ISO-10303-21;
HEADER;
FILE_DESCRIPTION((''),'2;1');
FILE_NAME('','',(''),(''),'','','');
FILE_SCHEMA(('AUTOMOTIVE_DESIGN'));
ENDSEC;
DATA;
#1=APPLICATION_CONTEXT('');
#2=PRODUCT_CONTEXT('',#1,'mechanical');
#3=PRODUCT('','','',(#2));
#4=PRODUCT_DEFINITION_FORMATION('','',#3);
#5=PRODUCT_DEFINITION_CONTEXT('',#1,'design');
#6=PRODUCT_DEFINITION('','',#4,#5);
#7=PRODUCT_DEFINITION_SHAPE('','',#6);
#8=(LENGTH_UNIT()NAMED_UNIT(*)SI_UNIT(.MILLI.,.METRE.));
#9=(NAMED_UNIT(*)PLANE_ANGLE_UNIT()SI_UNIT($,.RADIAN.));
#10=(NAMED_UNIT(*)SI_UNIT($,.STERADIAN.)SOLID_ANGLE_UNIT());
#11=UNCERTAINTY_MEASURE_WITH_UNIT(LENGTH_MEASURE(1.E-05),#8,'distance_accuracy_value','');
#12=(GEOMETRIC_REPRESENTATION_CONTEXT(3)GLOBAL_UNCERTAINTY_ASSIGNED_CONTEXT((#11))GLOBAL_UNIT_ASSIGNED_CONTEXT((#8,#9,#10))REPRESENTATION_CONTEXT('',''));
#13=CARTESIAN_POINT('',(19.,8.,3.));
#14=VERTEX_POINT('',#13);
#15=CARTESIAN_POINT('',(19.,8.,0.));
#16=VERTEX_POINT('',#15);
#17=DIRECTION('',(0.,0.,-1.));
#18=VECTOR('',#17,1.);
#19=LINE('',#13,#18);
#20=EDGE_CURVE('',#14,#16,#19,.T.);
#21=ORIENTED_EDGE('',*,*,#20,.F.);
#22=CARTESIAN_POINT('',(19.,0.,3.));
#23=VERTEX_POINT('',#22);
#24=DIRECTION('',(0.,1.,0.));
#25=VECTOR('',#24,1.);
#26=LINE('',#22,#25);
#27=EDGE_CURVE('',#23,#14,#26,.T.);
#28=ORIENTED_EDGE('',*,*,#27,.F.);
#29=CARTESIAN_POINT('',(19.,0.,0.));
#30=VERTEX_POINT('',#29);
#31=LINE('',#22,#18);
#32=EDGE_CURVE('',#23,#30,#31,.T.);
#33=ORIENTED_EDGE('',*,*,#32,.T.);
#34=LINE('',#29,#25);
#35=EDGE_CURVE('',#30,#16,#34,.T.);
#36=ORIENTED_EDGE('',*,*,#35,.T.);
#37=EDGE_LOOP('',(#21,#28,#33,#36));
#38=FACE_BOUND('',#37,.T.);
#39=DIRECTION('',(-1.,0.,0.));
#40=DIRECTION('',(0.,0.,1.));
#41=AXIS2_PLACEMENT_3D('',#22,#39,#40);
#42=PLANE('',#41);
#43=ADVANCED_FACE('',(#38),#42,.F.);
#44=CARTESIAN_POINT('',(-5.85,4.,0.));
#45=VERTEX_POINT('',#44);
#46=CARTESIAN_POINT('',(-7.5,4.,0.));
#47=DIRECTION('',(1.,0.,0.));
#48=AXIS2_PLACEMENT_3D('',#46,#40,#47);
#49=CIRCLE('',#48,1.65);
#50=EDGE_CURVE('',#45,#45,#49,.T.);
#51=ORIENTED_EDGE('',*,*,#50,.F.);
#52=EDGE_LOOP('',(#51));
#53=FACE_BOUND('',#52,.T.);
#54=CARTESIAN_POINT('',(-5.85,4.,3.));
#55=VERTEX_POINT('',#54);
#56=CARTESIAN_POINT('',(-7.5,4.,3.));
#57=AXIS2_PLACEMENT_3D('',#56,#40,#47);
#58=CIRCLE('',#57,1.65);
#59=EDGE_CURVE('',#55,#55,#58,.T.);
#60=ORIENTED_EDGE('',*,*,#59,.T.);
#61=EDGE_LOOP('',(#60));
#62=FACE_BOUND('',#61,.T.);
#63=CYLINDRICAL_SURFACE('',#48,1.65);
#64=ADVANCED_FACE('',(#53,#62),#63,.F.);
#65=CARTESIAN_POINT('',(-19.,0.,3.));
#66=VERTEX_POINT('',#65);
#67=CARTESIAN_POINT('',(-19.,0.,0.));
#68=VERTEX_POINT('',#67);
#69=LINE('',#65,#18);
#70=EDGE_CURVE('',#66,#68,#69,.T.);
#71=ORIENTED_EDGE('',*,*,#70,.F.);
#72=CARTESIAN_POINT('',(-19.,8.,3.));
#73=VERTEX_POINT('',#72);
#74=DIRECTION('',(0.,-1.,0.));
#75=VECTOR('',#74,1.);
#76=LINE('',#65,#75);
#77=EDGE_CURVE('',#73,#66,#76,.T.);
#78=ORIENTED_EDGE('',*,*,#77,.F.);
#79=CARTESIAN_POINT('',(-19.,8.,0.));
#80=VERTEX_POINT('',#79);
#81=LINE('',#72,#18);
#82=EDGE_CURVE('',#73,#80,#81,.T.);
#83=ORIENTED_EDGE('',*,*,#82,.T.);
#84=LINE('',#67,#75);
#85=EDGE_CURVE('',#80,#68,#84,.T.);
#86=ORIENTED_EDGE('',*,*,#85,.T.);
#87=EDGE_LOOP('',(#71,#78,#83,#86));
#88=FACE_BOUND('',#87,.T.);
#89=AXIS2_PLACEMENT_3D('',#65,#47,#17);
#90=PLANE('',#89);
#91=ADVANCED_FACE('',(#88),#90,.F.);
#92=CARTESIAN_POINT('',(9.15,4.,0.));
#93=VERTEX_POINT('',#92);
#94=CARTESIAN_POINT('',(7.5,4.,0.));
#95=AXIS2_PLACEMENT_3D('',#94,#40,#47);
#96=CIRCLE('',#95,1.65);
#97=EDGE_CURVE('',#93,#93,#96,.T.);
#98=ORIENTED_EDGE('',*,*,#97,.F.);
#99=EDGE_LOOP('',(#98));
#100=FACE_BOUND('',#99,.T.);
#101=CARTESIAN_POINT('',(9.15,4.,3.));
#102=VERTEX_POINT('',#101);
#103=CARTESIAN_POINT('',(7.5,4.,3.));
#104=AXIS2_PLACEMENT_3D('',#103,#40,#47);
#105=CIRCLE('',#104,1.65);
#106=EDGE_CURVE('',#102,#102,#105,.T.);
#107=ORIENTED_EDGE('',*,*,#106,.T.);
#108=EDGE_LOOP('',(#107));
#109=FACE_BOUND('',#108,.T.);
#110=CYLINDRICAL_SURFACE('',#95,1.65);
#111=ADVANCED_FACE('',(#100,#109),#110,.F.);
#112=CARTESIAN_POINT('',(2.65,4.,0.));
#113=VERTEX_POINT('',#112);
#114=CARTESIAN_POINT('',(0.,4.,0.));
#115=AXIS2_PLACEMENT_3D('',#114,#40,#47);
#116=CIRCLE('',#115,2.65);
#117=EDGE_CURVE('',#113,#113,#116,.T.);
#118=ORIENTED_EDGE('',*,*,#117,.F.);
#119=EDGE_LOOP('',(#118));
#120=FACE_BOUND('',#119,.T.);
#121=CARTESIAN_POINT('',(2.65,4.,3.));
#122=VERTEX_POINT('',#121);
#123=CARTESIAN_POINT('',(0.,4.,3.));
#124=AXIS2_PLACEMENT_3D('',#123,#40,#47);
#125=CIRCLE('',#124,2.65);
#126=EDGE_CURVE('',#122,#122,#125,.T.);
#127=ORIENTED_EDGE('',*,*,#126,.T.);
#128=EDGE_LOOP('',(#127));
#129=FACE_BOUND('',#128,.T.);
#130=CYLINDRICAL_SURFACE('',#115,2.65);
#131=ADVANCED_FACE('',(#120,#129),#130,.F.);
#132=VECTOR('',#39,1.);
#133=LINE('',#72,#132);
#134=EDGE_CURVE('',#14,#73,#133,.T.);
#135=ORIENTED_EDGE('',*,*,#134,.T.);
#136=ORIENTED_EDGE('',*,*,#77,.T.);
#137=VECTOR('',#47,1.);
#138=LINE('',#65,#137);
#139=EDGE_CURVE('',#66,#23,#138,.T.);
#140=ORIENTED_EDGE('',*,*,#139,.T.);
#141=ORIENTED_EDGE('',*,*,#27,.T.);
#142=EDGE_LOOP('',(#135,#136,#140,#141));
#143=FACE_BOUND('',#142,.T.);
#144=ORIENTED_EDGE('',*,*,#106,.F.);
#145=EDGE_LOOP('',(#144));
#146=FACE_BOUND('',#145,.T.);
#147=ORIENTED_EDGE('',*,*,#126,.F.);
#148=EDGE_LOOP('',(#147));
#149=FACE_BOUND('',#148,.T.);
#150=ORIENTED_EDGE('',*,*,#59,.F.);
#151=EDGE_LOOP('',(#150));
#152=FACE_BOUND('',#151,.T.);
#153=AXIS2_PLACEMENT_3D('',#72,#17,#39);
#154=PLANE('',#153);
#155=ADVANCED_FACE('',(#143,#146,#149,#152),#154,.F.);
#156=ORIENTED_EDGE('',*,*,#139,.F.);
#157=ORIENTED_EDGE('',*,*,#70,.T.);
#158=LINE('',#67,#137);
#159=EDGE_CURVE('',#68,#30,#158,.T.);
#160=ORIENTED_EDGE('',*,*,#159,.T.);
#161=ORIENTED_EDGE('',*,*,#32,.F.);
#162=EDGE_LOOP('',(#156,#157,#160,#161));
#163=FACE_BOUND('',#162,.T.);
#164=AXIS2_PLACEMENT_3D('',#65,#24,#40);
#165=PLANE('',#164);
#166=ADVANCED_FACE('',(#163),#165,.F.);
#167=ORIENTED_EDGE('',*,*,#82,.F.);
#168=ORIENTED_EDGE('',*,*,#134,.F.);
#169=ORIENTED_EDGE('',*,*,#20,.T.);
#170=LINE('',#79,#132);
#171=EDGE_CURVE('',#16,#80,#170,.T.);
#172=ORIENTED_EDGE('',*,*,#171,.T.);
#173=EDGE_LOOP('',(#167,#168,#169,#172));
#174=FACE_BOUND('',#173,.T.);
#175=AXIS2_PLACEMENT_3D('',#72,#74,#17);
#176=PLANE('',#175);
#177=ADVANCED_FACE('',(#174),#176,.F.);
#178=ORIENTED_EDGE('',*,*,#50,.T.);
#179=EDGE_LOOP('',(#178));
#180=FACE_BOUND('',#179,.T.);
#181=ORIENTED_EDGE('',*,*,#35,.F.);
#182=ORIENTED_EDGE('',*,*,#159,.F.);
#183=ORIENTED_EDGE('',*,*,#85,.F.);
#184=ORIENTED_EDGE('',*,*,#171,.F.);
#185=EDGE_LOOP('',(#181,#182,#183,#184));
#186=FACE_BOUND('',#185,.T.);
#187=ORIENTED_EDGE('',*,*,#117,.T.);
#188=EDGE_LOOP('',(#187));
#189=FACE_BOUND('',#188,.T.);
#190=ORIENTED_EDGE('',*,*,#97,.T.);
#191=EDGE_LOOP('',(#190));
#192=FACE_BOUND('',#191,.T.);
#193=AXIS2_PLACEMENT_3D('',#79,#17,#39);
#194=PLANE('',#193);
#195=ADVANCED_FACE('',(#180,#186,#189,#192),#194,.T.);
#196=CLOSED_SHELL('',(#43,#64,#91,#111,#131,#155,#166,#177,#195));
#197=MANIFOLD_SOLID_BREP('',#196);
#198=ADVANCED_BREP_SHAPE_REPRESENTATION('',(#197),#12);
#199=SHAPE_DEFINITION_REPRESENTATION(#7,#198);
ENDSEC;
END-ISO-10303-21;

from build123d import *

# Parameters (mm, degrees)
SKETCH1_W           = 38
SKETCH1_H           = 8
BOSS_EXTRUDE1_DEPTH = 3
SKETCH2_R           = 2.65
SKETCH2_R_2         = 1.65
CUT_EXTRUDE1_DEPTH  = 21.832666656


with BuildPart() as part:
    # Sketch1 → Boss-Extrude1 (new body)
    with BuildSketch(Plane.XY):
        with Locations((0, 4)):
            Rectangle(SKETCH1_W, SKETCH1_H)
    extrude(amount=BOSS_EXTRUDE1_DEPTH)

    # Sketch2 → Cut-Extrude1 (cut, through all)
    with BuildSketch(Plane.XY.offset(3)):
        with Locations((0, 4)):
            Circle(SKETCH2_R)
        with Locations((-7.5, 4)):
            Circle(SKETCH2_R_2)
        with Locations((7.5, 4)):
            Circle(SKETCH2_R_2)
    extrude(amount=-CUT_EXTRUDE1_DEPTH, mode=Mode.SUBTRACT)


solid = part.part
